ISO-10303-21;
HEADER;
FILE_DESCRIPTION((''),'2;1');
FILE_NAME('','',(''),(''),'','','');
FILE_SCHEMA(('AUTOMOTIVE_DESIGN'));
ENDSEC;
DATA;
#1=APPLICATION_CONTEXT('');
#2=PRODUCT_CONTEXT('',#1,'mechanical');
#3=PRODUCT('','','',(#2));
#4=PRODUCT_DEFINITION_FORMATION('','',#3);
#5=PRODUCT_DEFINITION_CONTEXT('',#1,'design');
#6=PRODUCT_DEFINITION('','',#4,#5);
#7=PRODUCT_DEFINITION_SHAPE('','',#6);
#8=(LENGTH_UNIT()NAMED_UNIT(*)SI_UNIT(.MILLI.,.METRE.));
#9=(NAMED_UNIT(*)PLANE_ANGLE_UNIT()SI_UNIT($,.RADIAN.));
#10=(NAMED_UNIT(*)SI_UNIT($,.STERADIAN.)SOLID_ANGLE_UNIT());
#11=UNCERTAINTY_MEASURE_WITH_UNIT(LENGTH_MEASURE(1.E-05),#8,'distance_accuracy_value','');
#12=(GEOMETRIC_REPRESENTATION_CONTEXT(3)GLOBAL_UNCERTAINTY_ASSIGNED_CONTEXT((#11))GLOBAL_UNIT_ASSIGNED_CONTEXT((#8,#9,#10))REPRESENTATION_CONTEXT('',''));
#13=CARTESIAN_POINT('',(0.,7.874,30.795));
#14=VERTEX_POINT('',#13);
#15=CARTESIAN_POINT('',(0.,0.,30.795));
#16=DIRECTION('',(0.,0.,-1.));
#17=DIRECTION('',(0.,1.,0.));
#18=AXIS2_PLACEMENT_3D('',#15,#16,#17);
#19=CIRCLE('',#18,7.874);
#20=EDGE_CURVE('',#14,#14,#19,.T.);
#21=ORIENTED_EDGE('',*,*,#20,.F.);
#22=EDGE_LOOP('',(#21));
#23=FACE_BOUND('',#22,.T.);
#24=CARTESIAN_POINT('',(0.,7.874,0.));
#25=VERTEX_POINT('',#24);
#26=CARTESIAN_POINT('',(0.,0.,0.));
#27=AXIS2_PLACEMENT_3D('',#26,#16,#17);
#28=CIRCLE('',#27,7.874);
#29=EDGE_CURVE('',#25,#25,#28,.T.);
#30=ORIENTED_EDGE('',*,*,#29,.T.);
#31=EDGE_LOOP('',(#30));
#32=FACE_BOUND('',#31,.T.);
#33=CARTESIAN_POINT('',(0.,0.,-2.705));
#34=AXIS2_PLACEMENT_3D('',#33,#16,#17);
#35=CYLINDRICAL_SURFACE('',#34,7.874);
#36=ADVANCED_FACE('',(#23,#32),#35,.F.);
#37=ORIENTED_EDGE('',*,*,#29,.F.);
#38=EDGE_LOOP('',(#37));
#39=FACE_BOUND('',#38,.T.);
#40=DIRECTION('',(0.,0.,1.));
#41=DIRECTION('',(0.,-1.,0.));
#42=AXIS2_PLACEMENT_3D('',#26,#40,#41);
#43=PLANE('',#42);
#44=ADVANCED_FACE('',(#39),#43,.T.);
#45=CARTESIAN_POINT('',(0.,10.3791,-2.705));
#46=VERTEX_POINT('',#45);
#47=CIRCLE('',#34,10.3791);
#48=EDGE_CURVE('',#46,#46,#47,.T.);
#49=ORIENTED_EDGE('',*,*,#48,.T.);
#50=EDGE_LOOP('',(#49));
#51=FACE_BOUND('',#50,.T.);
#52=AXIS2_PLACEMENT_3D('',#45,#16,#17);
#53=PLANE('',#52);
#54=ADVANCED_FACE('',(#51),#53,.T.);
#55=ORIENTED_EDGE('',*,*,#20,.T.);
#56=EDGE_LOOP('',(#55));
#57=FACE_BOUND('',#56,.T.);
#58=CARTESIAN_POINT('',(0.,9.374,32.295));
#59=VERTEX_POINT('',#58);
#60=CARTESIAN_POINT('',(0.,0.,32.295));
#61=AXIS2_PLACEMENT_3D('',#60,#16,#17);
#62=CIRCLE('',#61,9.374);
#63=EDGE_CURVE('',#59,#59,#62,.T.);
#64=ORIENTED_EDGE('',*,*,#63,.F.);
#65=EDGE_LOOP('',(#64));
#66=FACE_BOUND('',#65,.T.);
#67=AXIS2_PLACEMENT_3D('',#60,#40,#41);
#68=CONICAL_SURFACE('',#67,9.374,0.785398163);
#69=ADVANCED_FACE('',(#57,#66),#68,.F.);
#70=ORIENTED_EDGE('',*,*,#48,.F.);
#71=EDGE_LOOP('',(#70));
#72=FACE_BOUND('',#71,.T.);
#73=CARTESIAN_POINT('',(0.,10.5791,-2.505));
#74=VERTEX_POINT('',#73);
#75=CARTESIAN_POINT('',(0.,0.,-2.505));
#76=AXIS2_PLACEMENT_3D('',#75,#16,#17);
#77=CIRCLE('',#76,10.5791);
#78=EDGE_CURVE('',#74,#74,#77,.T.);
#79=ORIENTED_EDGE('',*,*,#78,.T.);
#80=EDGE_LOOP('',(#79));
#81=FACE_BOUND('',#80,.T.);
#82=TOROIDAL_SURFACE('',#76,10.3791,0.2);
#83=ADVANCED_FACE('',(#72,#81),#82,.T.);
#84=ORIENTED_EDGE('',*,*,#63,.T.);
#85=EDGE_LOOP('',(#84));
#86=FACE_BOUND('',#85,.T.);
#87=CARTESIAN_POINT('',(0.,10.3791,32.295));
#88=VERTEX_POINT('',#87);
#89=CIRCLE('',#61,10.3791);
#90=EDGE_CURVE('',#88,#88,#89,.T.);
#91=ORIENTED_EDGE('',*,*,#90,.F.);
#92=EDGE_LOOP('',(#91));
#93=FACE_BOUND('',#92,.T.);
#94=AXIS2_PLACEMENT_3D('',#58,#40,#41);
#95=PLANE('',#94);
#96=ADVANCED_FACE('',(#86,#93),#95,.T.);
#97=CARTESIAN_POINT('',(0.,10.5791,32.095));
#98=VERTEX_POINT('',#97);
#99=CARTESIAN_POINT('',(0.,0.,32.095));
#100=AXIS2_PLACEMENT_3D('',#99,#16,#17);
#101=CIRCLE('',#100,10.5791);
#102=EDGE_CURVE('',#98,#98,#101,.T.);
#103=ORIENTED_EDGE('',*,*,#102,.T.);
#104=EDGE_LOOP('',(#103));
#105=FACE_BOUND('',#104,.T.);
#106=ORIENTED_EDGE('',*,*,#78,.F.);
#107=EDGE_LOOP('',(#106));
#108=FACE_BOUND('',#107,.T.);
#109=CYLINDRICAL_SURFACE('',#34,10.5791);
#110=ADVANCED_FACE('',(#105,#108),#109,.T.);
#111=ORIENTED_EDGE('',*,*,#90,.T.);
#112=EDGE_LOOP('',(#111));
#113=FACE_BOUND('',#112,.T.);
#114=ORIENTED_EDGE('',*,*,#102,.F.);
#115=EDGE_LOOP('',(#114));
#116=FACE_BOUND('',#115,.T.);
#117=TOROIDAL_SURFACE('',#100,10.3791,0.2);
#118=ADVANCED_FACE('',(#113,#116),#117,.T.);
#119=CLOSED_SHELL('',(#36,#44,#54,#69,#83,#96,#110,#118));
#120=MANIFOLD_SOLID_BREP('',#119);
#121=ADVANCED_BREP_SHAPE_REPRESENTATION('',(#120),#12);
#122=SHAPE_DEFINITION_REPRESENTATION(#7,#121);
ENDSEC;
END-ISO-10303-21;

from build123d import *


with BuildPart() as part:
    # Sketch2 → Revolve1 (revolve)
    with BuildSketch(Plane(origin=(0, 0, 0), x_dir=(0, 0, -1), z_dir=(1, 0, 0))):
        with BuildLine():
            Line((-32.295, 9.374), (-32.295, 10.3791))
            ThreePointArc((-32.295, 10.3791), (-32.236421356, 10.520521356), (-32.095, 10.5791))
            Line((-32.095, 10.5791), (2.505, 10.5791))
            ThreePointArc((2.505, 10.5791), (2.646421356, 10.520521356), (2.705, 10.3791))
            Line((2.705, 10.3791), (2.705, 0))
            Line((2.705, 0), (0, 0))
            Line((0, 0), (0, 7.874))
            Line((0, 7.874), (-30.795, 7.874))
            Line((-30.795, 7.874), (-32.295, 9.374))
        make_face()
    revolve(axis=Axis((0, 0, -2.705), (0, 0, 1)))


solid = part.part
